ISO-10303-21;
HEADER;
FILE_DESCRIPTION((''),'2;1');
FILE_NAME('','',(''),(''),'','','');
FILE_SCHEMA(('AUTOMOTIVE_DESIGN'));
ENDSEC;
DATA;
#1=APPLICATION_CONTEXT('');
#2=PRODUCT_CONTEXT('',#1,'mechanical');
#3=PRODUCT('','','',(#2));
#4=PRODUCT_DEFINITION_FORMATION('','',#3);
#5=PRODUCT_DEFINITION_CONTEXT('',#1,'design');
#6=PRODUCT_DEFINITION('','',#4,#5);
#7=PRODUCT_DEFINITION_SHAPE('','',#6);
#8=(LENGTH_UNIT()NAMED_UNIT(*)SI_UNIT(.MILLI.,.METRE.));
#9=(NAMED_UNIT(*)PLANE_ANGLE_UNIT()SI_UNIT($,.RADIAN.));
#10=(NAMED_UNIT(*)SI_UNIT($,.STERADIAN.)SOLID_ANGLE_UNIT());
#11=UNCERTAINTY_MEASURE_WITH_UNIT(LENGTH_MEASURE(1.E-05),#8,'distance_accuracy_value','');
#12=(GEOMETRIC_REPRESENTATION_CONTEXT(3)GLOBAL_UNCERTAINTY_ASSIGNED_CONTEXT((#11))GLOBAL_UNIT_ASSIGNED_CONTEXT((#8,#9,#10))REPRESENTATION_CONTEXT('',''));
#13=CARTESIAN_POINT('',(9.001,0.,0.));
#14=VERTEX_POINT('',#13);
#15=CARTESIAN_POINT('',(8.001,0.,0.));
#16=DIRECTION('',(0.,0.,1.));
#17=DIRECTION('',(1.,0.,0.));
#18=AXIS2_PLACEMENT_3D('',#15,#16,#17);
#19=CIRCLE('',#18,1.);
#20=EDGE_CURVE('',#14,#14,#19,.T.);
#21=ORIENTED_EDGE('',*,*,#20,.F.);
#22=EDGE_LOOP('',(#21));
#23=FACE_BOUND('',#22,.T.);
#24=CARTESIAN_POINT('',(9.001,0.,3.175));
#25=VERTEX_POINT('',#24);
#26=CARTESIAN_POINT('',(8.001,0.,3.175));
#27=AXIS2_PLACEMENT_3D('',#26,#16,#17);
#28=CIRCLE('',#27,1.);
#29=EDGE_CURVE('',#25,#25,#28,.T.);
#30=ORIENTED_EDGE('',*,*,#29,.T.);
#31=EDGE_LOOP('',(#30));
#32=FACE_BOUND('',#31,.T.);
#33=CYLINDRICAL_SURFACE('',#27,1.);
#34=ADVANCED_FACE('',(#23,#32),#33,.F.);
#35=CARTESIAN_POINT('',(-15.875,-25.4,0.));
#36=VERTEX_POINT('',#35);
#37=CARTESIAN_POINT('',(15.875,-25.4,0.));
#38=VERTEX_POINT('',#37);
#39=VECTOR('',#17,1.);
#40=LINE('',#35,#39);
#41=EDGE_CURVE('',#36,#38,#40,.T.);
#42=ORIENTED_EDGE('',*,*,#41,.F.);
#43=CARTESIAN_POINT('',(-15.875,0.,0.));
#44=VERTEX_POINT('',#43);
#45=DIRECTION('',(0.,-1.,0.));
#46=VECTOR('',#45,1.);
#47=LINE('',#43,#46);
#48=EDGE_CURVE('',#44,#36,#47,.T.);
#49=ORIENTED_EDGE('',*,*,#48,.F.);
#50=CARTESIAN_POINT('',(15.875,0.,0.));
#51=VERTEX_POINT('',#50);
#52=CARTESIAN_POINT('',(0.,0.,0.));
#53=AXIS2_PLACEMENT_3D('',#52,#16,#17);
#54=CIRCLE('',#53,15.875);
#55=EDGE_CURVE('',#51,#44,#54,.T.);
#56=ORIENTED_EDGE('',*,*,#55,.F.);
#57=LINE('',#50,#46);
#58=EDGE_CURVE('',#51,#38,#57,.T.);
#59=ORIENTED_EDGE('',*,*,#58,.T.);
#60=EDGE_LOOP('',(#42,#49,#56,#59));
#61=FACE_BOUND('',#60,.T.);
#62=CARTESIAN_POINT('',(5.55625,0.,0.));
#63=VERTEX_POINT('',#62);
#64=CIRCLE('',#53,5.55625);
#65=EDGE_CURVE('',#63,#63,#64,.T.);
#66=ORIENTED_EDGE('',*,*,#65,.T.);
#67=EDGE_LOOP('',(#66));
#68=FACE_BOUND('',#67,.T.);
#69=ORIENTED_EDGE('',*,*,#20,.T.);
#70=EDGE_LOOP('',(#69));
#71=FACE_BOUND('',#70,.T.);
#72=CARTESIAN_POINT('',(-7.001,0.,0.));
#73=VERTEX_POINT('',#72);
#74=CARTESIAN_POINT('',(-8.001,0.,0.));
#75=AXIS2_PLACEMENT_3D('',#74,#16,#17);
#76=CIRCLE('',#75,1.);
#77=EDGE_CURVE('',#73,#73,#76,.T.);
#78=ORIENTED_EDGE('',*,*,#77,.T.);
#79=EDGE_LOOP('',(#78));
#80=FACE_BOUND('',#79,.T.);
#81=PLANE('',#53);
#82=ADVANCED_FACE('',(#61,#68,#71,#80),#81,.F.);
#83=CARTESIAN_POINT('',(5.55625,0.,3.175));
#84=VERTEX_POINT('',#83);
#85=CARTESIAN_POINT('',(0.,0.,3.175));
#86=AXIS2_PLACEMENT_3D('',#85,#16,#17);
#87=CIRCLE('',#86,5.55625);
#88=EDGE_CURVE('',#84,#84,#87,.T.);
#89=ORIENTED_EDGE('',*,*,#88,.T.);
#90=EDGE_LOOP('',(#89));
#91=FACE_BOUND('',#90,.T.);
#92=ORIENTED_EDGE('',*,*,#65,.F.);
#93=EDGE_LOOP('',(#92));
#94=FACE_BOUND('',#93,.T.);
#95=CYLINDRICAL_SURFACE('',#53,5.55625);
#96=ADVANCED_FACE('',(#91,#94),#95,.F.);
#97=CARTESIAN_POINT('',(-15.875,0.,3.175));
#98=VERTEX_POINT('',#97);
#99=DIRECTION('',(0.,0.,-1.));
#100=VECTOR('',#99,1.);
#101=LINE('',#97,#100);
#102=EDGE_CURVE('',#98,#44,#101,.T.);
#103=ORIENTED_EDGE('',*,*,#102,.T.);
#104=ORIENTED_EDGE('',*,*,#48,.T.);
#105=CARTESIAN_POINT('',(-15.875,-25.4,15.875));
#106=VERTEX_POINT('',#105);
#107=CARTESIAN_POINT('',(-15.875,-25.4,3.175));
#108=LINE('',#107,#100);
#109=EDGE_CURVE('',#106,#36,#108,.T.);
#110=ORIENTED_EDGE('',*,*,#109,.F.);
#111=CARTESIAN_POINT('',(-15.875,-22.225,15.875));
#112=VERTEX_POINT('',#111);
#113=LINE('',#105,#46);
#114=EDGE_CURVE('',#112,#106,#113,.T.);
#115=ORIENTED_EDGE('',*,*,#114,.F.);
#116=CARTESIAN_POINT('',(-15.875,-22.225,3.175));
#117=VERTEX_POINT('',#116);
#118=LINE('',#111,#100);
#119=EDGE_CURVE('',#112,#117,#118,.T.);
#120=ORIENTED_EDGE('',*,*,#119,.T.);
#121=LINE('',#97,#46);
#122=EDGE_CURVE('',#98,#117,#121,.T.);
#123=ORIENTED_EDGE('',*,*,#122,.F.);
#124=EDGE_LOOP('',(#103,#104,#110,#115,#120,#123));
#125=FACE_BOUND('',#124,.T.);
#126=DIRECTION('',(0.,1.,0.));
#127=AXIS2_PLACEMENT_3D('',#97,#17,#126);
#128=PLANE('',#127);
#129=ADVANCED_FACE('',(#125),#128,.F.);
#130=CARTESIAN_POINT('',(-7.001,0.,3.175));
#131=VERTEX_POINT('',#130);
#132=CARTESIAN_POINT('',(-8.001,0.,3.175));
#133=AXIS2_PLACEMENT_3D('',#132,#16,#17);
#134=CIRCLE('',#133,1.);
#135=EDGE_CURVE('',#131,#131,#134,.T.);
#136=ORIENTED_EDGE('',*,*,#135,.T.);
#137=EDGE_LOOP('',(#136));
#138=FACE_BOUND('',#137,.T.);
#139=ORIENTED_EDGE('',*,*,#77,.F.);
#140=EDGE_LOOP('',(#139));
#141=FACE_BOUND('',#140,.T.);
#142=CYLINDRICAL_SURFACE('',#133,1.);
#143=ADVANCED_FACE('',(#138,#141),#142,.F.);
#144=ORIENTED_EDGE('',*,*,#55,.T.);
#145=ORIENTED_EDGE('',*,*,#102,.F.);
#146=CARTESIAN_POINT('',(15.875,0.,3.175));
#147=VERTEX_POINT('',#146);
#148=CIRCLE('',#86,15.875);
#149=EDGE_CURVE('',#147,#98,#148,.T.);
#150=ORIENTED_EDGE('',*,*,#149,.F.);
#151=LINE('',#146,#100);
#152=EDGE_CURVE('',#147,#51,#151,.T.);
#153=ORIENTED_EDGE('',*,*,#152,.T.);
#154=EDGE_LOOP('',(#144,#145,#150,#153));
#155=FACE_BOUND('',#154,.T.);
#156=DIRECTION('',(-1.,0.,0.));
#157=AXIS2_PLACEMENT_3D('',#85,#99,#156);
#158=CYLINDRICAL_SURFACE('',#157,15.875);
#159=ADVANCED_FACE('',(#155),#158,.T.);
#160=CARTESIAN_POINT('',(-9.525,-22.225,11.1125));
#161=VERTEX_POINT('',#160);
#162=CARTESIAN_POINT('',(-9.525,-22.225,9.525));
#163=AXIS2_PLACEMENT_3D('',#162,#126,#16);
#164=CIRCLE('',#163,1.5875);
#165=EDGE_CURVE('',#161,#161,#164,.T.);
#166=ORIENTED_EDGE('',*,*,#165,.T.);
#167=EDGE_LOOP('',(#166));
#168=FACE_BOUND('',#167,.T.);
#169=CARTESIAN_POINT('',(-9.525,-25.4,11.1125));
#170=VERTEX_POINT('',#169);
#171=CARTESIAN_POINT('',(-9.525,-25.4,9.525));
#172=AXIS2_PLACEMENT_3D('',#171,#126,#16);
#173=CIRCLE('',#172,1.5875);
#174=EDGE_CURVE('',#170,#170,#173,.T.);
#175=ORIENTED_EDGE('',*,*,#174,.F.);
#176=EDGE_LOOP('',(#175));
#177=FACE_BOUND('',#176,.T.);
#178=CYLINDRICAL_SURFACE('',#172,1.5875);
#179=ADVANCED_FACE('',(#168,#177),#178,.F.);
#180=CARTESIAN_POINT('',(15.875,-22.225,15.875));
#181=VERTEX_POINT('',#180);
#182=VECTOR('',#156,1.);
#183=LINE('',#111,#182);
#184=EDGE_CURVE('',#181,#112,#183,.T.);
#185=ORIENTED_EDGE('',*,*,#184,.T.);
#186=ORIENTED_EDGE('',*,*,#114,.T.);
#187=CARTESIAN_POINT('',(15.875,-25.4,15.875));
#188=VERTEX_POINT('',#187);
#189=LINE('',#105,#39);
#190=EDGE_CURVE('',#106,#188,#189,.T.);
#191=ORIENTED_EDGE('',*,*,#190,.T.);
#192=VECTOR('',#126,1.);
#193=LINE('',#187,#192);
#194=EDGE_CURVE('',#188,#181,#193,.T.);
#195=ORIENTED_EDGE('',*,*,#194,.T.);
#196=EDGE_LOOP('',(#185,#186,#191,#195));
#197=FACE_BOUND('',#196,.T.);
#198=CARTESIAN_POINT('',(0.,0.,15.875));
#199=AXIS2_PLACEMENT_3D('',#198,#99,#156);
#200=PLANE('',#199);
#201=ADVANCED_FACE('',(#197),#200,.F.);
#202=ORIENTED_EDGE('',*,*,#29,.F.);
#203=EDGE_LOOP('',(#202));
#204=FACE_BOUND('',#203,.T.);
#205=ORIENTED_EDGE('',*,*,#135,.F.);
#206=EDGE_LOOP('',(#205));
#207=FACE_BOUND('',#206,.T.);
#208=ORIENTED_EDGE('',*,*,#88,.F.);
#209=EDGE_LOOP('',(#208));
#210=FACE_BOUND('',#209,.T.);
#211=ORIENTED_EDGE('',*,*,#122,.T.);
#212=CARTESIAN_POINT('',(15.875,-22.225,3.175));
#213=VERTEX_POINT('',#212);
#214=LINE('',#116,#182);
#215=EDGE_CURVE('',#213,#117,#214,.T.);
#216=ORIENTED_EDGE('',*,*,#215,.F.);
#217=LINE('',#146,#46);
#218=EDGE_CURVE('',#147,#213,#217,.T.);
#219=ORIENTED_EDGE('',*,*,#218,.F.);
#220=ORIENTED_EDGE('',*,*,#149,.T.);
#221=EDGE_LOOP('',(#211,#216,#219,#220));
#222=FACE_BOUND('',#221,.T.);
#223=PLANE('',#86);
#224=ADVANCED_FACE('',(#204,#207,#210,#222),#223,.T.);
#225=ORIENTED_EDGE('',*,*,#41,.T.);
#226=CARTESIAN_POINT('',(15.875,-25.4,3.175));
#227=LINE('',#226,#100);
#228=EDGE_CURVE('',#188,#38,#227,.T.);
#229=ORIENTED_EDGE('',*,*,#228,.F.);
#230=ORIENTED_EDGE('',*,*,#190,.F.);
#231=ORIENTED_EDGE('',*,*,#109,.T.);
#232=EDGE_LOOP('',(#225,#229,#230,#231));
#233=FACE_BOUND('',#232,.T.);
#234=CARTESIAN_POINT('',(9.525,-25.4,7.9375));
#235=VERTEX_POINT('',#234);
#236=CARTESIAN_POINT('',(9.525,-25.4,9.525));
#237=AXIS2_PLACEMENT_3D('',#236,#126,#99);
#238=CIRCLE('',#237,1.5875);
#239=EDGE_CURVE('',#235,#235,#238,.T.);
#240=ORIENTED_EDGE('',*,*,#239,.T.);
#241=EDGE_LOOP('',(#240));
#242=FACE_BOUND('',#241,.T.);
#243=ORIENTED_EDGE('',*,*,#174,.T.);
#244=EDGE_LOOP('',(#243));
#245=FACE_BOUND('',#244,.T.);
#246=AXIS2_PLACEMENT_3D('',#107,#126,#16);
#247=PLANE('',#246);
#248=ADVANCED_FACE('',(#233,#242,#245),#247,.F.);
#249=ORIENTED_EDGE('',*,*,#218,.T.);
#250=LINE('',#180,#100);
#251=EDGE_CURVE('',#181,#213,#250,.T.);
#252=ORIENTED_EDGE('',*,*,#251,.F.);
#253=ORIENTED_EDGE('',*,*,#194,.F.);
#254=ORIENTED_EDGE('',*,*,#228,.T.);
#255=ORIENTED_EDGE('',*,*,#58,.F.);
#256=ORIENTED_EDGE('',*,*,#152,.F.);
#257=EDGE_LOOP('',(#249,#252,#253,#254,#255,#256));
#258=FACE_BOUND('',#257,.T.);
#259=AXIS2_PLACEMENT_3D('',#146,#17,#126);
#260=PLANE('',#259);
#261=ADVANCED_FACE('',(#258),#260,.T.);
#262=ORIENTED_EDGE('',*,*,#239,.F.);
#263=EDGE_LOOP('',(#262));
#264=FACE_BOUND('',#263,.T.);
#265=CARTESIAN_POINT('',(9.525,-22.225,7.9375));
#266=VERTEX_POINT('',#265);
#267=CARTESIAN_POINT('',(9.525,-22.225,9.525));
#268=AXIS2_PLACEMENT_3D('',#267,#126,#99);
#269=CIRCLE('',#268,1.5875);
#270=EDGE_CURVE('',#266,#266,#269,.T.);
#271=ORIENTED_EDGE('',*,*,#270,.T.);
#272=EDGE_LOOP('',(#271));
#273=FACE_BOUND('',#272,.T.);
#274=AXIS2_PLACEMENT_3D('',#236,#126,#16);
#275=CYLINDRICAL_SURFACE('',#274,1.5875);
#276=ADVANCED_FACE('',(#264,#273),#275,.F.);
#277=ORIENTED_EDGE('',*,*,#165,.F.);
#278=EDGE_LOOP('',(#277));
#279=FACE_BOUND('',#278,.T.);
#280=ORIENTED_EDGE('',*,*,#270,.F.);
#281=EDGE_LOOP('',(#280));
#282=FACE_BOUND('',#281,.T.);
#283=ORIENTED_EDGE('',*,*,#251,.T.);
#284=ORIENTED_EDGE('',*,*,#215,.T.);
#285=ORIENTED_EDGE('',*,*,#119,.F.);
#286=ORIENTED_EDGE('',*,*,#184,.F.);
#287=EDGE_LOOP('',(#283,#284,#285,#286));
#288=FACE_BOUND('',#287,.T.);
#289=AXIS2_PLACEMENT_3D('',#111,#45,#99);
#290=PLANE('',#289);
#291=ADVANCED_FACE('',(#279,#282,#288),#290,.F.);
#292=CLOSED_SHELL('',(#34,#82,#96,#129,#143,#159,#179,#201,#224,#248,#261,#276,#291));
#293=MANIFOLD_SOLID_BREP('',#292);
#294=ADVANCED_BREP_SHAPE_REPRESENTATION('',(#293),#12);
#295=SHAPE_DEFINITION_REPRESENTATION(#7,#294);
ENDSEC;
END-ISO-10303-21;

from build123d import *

# Parameters (mm, degrees)
BOSS_EXTRUDE1_DEPTH       = 3.175
SKETCH3_R                 = 5.55625
CUT_EXTRUDE1_DEPTH        = 31.120694713
SKETCH4_W                 = 31.75
SKETCH4_H                 = 3.175
BOSS_EXTRUDE2_DEPTH       = 12.7
SKETCH5_R                 = 1.5875
CUT_EXTRUDE2_DEPTH        = 45.22263278
F_2_0MM_DOWEL_HOLE1_D     = 2
F_2_0MM_DOWEL_HOLE1_DEPTH = 12.7
F_2_0MM_DOWEL_HOLE1_TIP   = 0.600860619


with BuildPart() as part:
    # Sketch1 → Boss-Extrude1 (new body)
    with BuildSketch(Plane.XY):
        with BuildLine():
            ThreePointArc((15.875, 0), (0, 15.875), (-15.875, 0))
            Line((-15.875, 0), (15.875, 0))
        make_face()
        with BuildLine():
            ThreePointArc((15.875, 0), (0, -15.875), (-15.875, 0))
            Line((-15.875, 0), (-15.875, -25.4))
            Line((-15.875, -25.4), (15.875, -25.4))
            Line((15.875, -25.4), (15.875, 0))
        make_face()
        with BuildLine():
            Line((15.875, 0), (-15.875, 0))
            ThreePointArc((-15.875, 0), (0, -15.875), (15.875, 0))
        make_face()
    extrude(amount=BOSS_EXTRUDE1_DEPTH)

    # Sketch3 → Cut-Extrude1 (cut, through all)
    with BuildSketch(Plane.XY.offset(3.175)):
        Circle(SKETCH3_R)
    extrude(amount=-CUT_EXTRUDE1_DEPTH, mode=Mode.SUBTRACT)

    # Sketch4 → Boss-Extrude2 (add)
    with BuildSketch(Plane.XY.offset(3.175)):
        with Locations((0, -23.8125)):
            Rectangle(SKETCH4_W, SKETCH4_H)
    extrude(amount=BOSS_EXTRUDE2_DEPTH)

    # Sketch5 → Cut-Extrude2 (cut, through all)
    with BuildSketch(Plane(origin=(0, -22.225, 0), x_dir=(1, 0, 0), z_dir=(0, 1, 0))):
        with Locations(Location((-9.525, -9.525, 0), (0, 0, 270))):
            Circle(SKETCH5_R)
        with Locations(Location((9.525, -9.525, 0), (0, 0, 90))):
            Circle(SKETCH5_R)
    extrude(amount=-CUT_EXTRUDE2_DEPTH, mode=Mode.SUBTRACT)

    # Ø2.0mm Dowel Hole1
    with Locations(Plane.XY.offset(3.175)):
        with Locations((-8.001, 0), (8.001, 0)):
            Hole(F_2_0MM_DOWEL_HOLE1_D / 2, depth=F_2_0MM_DOWEL_HOLE1_DEPTH)
            with Locations((0, 0, -(F_2_0MM_DOWEL_HOLE1_DEPTH + F_2_0MM_DOWEL_HOLE1_TIP / 2))):  # 118° drill point
                Cone(0, F_2_0MM_DOWEL_HOLE1_D / 2, F_2_0MM_DOWEL_HOLE1_TIP, mode=Mode.SUBTRACT)


solid = part.part
